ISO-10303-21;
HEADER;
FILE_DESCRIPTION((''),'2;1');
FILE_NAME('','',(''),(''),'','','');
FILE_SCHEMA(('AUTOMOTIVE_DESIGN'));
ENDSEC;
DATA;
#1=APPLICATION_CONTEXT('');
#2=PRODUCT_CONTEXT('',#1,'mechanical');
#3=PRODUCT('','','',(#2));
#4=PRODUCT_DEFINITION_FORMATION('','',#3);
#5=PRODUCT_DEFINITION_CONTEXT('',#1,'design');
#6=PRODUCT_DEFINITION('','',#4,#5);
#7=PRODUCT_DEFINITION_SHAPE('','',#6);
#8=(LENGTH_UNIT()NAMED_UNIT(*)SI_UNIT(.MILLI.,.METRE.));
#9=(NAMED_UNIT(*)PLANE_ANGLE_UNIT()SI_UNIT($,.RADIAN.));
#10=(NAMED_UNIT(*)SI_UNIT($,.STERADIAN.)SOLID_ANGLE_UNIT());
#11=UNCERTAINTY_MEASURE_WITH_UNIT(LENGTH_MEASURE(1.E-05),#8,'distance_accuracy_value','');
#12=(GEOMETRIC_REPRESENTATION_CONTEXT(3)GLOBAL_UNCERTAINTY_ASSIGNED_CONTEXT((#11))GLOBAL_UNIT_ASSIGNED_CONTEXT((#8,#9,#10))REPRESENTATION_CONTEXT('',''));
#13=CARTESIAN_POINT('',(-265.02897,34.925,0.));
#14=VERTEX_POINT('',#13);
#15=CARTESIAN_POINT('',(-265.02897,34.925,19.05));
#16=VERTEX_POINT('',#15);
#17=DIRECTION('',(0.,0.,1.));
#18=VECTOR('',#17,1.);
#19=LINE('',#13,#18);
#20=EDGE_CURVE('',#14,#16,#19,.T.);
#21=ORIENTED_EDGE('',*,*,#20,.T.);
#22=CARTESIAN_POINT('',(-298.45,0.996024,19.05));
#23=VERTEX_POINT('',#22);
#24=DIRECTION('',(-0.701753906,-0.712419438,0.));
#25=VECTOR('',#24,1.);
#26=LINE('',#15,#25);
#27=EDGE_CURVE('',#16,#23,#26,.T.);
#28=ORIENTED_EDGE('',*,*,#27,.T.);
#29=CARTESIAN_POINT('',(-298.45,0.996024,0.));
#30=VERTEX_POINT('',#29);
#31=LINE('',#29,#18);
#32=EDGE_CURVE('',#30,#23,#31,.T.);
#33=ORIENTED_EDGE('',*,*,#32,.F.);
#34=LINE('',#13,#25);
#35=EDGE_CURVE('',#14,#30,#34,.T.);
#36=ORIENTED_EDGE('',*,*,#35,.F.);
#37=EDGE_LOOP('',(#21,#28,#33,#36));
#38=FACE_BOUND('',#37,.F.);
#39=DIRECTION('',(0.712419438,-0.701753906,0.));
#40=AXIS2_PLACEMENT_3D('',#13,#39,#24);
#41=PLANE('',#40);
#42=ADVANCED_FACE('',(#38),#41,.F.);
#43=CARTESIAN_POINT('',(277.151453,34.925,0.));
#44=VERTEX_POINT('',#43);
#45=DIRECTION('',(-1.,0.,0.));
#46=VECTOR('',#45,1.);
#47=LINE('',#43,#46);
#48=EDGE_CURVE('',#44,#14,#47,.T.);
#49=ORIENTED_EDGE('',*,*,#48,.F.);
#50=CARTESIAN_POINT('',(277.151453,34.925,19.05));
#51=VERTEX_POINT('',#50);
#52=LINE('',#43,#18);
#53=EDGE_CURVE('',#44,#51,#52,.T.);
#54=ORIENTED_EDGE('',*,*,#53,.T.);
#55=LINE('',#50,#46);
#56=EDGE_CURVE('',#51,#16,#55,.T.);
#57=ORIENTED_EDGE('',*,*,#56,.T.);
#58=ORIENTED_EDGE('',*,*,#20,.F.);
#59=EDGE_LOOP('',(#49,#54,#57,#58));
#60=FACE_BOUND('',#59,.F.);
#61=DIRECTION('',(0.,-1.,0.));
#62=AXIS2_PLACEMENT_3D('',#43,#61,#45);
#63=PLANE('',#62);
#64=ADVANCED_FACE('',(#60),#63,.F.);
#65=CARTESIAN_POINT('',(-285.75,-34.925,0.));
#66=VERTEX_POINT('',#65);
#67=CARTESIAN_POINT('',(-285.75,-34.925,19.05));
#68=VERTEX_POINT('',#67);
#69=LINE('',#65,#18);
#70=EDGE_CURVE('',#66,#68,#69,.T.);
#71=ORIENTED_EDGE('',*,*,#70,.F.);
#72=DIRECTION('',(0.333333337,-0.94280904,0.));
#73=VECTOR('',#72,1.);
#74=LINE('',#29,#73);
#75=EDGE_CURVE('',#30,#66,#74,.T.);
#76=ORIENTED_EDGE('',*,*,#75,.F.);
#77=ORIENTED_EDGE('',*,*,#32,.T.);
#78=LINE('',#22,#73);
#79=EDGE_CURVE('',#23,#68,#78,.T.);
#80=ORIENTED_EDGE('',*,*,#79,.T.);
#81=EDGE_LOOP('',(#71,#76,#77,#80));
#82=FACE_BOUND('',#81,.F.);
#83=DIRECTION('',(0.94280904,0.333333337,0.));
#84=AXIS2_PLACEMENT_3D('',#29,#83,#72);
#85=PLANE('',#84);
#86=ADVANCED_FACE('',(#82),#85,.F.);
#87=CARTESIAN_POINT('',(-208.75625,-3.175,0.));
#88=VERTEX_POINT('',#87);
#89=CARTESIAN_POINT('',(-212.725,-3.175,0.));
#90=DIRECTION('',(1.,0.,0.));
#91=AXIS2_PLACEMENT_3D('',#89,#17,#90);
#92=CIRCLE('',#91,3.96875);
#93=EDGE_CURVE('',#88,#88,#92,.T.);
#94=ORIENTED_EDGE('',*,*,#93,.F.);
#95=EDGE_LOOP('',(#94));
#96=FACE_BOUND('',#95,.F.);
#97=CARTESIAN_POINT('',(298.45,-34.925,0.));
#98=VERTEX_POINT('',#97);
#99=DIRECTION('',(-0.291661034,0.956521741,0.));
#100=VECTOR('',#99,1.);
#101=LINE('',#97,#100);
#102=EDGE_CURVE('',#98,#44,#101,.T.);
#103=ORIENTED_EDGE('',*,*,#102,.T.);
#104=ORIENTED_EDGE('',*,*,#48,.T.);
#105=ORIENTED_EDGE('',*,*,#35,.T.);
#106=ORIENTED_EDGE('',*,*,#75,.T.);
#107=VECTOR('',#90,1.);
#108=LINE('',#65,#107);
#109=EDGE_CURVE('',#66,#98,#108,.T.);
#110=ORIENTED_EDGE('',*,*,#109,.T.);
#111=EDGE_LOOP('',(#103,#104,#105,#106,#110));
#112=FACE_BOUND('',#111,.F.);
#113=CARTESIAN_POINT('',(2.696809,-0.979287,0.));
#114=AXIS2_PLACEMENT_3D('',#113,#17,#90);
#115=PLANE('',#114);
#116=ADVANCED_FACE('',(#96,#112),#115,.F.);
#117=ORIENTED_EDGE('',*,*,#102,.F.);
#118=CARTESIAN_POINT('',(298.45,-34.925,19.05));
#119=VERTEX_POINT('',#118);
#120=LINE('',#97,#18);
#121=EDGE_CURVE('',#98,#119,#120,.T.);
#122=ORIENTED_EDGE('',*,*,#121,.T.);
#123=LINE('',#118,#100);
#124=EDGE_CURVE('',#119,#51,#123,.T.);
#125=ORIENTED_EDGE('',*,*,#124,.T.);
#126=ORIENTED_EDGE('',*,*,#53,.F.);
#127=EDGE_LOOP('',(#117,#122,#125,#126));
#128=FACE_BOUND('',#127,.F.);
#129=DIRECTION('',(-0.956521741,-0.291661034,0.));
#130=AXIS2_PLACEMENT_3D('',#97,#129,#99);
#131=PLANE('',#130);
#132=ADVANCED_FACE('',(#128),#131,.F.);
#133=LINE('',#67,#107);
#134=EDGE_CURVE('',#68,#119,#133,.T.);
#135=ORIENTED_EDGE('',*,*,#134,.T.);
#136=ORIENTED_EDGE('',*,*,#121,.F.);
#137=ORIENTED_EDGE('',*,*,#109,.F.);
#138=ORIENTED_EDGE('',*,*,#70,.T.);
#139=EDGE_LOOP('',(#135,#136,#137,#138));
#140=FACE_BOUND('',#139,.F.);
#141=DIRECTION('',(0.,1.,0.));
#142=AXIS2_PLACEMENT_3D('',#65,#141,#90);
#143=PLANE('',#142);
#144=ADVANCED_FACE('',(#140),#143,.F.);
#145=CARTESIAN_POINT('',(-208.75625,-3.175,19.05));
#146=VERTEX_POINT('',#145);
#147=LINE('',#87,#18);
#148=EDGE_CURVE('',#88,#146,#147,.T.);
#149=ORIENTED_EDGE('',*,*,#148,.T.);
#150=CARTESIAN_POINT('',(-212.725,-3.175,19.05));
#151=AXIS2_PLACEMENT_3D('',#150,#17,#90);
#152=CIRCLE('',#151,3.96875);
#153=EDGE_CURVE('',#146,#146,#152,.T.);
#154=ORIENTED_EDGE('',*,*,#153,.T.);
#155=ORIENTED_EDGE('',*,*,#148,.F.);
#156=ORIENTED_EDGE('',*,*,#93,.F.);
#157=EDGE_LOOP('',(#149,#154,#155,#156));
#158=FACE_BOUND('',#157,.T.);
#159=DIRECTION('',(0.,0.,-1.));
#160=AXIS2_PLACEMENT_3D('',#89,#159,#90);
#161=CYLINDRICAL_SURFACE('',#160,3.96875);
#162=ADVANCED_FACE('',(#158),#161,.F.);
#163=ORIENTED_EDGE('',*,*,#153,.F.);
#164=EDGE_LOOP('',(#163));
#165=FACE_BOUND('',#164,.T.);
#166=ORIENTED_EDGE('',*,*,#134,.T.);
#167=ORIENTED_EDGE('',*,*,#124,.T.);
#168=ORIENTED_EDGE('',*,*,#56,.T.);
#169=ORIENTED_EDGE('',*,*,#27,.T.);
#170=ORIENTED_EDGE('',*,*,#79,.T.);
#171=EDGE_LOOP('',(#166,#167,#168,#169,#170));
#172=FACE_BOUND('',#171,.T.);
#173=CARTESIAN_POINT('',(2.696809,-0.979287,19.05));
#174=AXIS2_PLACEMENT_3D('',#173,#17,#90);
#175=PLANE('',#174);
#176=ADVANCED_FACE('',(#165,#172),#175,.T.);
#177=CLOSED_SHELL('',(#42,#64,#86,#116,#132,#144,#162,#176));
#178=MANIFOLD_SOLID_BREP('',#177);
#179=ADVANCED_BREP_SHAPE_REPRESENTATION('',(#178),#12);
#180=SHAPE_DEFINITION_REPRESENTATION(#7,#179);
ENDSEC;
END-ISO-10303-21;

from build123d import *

# Parameters (mm, degrees)
F0_R     = 3.96875
F1_DEPTH = 19.05


with BuildPart() as f1:
    # F0 (on Top) → F1 (new body)
    with BuildSketch(Plane.XY):
        Polygon((298.45, -34.925), (277.151453, 34.925), (-265.02897, 34.925), (-298.45, 0.996024), (-285.75, -34.925), align=None)
        with Locations((-212.725, -3.175)):
            Circle(F0_R, mode=Mode.SUBTRACT)
    extrude(amount=F1_DEPTH)


solid = f1.part
